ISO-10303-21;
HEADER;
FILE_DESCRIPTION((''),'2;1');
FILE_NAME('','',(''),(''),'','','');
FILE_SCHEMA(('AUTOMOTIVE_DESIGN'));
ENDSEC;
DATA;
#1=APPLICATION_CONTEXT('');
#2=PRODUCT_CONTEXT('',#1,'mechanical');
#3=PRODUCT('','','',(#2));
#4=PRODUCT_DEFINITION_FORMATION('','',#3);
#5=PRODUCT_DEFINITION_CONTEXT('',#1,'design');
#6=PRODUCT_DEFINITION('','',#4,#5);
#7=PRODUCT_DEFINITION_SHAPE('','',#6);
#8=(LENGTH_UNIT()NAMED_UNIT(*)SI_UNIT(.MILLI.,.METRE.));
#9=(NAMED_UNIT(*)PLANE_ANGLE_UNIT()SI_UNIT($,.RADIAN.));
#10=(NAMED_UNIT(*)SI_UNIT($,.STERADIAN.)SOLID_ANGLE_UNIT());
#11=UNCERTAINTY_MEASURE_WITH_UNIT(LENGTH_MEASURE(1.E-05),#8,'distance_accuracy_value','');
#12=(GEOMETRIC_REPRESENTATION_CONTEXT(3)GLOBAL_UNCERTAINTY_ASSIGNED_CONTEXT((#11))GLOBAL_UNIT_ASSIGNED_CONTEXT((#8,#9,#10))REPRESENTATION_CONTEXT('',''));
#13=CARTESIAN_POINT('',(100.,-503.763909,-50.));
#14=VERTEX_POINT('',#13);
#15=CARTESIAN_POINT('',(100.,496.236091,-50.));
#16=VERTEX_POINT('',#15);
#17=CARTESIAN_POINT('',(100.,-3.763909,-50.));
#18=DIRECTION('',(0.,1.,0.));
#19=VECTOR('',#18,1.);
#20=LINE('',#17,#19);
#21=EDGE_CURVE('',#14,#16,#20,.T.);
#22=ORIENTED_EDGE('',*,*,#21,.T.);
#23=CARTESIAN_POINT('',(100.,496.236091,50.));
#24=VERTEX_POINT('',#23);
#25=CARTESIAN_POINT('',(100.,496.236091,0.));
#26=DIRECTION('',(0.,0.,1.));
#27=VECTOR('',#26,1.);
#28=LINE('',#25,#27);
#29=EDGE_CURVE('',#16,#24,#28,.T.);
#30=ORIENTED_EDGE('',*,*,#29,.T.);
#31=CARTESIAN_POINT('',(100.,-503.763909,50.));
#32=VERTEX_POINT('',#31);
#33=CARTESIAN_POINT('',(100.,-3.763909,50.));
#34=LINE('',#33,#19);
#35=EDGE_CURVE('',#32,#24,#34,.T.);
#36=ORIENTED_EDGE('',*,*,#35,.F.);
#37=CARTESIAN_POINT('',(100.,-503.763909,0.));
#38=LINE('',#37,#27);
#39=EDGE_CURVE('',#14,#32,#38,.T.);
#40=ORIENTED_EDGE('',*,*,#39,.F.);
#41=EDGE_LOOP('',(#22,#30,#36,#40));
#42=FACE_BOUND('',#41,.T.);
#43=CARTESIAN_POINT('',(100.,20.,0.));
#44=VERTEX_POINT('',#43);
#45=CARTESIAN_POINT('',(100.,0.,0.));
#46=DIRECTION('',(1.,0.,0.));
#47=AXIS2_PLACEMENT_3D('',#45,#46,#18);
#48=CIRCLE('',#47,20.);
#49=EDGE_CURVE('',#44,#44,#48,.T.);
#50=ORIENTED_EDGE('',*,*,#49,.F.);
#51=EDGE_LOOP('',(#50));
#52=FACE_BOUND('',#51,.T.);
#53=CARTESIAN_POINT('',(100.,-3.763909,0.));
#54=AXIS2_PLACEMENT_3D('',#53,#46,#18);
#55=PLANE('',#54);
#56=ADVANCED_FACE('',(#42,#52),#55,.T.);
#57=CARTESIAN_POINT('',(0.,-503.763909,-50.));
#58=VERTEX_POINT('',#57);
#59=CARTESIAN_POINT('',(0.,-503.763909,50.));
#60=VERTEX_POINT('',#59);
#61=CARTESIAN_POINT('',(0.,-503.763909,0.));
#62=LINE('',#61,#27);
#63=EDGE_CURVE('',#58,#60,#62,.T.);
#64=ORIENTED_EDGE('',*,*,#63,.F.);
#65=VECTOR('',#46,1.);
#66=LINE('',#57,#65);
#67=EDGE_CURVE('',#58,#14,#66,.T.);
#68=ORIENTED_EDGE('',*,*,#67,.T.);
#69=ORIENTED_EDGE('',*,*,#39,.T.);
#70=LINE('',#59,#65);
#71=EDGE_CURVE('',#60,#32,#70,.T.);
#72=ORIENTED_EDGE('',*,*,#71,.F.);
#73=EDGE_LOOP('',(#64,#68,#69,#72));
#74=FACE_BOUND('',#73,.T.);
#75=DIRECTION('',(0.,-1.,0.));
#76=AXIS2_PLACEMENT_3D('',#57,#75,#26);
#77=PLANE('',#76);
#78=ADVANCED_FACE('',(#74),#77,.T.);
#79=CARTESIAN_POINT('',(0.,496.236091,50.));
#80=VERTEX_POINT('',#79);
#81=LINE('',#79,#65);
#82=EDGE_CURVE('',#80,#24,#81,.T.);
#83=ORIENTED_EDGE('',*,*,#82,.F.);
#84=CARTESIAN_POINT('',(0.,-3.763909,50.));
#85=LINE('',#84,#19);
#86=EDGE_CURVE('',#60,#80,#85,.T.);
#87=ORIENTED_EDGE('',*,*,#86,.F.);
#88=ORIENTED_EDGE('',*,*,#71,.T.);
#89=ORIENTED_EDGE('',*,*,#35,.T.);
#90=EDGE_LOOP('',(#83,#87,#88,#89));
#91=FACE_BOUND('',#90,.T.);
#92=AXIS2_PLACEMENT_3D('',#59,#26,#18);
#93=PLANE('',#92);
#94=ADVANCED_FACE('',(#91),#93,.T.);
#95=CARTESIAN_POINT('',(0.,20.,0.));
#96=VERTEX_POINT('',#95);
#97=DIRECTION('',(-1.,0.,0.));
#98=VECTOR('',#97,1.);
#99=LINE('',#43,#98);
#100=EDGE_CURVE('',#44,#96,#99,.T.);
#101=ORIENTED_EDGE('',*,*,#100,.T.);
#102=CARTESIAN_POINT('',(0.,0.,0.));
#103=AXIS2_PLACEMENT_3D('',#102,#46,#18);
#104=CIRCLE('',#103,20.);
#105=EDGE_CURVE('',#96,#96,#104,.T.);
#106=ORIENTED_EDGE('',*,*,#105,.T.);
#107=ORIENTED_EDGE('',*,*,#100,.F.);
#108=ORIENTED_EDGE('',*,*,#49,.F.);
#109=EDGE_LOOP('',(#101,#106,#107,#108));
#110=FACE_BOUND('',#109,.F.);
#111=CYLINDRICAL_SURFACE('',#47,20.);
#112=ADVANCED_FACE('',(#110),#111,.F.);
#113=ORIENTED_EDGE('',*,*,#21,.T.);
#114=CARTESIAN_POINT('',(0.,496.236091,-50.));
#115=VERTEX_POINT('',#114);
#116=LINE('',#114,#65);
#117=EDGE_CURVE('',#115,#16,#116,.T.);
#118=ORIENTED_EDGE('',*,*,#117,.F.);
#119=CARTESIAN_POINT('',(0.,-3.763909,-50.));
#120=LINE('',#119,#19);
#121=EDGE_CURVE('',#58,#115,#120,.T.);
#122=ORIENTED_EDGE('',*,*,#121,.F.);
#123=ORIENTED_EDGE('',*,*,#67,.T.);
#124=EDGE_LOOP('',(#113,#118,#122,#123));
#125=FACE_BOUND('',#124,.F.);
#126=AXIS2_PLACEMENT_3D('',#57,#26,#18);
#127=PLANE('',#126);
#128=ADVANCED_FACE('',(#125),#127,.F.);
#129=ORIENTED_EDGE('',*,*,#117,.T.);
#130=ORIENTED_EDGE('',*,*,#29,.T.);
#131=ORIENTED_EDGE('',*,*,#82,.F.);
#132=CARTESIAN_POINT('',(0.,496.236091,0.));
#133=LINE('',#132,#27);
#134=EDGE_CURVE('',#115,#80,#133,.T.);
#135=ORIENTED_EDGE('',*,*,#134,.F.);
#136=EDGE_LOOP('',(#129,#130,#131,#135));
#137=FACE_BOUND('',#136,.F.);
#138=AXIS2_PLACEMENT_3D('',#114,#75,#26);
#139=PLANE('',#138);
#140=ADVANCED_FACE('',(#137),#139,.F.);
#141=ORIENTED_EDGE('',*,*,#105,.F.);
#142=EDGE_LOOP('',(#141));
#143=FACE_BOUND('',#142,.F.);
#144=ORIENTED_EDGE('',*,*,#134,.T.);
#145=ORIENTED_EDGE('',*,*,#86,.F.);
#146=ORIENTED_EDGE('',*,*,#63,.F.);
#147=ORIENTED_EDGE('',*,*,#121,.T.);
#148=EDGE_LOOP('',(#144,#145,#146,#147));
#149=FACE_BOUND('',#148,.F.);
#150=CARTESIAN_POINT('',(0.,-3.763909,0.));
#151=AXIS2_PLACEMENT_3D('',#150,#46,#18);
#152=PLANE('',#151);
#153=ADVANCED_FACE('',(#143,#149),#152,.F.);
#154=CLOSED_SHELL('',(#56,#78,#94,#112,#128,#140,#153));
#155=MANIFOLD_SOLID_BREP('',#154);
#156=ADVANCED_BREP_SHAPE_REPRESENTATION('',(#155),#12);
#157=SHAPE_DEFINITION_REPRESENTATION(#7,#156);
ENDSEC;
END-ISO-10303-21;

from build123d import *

# Parameters (mm, degrees)
F0_W     = 1000
F0_H     = 100
F1_DEPTH = 100
F2_R     = 20
F3_DEPTH = 100


with BuildPart() as f1:
    # F0 (on Right) → F1 (new body)
    with BuildSketch(Plane.YZ):
        with Locations((-3.763909, 0)):
            Rectangle(F0_W, F0_H)
    extrude(amount=F1_DEPTH)

    # F2 (on face) → F3 (cut)
    with BuildSketch(Plane.YZ.offset(100)):
        Circle(F2_R)
    extrude(amount=-F3_DEPTH, mode=Mode.SUBTRACT)


solid = f1.part
